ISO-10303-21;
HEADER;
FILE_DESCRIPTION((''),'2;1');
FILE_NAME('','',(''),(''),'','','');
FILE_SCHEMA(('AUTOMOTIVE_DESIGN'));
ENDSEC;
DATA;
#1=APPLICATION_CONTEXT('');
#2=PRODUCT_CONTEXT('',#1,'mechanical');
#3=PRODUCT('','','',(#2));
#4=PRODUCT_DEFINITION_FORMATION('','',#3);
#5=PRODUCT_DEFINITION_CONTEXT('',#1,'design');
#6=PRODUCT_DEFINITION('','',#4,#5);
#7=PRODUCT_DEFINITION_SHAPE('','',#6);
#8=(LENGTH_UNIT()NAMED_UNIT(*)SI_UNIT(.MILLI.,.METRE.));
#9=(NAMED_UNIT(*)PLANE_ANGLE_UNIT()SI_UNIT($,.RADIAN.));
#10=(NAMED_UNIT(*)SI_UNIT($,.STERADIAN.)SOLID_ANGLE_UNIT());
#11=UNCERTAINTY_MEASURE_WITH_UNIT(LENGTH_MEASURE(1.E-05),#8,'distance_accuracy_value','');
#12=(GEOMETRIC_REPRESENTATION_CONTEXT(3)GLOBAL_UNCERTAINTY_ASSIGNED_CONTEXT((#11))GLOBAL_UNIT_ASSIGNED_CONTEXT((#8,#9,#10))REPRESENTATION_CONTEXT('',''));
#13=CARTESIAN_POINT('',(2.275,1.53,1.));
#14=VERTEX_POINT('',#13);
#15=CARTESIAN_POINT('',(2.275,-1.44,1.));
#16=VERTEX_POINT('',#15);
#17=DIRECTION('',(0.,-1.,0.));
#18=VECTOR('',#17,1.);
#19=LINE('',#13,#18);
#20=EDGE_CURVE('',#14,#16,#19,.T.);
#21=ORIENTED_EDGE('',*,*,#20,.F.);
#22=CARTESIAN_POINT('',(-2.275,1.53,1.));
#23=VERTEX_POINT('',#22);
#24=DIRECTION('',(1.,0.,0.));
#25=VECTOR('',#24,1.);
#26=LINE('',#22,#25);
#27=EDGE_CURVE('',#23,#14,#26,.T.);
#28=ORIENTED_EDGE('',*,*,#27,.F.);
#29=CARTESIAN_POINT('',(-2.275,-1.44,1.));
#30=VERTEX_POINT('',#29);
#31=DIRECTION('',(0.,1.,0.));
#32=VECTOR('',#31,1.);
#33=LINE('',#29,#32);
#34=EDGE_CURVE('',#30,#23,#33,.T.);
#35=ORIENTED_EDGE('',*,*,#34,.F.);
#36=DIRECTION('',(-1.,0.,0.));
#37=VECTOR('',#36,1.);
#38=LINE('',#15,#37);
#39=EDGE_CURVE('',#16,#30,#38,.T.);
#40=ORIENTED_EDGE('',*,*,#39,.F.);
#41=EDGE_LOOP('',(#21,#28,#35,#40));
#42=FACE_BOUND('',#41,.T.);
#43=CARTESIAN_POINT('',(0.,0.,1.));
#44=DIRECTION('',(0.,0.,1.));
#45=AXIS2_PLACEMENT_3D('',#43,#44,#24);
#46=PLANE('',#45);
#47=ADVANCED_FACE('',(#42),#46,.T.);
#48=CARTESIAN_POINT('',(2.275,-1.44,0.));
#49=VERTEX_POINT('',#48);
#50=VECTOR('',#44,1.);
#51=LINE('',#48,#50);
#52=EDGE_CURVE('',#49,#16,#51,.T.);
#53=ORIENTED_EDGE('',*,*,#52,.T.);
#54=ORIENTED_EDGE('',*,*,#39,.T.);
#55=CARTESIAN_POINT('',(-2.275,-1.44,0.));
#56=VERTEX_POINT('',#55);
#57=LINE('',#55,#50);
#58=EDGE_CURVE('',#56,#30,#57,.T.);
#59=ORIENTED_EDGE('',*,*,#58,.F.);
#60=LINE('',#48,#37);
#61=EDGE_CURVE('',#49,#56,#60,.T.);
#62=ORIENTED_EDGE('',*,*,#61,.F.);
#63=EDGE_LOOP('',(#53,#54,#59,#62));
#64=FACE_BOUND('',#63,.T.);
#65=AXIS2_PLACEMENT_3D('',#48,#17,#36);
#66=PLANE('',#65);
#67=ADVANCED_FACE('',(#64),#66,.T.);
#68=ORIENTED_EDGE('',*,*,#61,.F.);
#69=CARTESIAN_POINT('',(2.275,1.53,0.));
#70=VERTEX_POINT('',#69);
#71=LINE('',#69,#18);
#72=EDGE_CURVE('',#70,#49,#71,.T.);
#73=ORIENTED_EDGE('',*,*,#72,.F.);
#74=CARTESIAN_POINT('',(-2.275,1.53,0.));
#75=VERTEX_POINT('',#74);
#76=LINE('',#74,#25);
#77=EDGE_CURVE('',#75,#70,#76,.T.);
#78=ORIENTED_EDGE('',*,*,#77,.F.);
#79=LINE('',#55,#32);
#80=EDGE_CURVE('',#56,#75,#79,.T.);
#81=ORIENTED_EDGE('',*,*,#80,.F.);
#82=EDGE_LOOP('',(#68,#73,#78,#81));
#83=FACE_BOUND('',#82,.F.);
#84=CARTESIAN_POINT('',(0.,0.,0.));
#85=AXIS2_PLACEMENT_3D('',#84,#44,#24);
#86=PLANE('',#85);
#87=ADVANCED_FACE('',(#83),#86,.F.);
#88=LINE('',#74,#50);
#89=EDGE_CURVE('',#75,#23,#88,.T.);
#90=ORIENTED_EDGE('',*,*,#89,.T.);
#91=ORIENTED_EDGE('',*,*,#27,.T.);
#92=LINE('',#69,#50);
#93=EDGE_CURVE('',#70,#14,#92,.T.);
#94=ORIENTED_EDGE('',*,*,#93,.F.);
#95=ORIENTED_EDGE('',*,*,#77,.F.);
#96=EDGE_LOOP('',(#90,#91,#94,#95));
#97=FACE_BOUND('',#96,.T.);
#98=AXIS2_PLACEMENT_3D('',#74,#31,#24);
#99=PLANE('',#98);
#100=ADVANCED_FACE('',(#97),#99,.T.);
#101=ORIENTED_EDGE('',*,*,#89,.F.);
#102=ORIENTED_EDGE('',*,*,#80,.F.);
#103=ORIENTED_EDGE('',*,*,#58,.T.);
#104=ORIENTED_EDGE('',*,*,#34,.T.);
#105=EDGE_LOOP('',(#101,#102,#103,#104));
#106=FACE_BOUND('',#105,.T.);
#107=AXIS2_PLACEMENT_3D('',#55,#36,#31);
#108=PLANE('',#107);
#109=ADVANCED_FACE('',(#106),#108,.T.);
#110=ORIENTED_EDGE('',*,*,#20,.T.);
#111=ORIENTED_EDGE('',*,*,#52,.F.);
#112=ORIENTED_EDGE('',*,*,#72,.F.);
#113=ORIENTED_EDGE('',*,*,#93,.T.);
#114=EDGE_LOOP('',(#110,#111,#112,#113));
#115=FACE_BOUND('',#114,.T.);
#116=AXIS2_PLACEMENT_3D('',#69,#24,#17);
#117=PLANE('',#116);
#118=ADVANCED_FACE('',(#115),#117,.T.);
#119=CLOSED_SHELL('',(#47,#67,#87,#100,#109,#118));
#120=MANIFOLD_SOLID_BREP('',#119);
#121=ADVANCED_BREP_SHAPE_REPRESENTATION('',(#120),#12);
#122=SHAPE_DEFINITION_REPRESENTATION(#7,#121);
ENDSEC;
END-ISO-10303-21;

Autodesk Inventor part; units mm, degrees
ref_plane "YZ Plane" through (0, 0, 0) normal (1, 0, 0) x (0, 1, 0)
ref_plane "XZ Plane" through (0, 0, 0) normal (0, 1, 0) x (-1, 0, 0)
ref_plane "XY Plane" through (0, 0, 0) normal (0, 0, 1) x (1, 0, 0)
sketch "CAP_1210, PCAP_1210_216" plane through (0, 0, 0) normal (0, 0, 1) x (1, 0, 0)
  line L0 (-2.275, -1.44) -> (-2.275, 1.53)
  line L1 (-2.275, 1.53) -> (2.275, 1.53)
  line L2 (2.275, 1.53) -> (2.275, -1.44)
  line L3 (2.275, -1.44) -> (-2.275, -1.44)
extrude "Extrusion1" add sketch "CAP_1210, PCAP_1210_216" along normal blind 1
properties part number "PCAP_1210"
